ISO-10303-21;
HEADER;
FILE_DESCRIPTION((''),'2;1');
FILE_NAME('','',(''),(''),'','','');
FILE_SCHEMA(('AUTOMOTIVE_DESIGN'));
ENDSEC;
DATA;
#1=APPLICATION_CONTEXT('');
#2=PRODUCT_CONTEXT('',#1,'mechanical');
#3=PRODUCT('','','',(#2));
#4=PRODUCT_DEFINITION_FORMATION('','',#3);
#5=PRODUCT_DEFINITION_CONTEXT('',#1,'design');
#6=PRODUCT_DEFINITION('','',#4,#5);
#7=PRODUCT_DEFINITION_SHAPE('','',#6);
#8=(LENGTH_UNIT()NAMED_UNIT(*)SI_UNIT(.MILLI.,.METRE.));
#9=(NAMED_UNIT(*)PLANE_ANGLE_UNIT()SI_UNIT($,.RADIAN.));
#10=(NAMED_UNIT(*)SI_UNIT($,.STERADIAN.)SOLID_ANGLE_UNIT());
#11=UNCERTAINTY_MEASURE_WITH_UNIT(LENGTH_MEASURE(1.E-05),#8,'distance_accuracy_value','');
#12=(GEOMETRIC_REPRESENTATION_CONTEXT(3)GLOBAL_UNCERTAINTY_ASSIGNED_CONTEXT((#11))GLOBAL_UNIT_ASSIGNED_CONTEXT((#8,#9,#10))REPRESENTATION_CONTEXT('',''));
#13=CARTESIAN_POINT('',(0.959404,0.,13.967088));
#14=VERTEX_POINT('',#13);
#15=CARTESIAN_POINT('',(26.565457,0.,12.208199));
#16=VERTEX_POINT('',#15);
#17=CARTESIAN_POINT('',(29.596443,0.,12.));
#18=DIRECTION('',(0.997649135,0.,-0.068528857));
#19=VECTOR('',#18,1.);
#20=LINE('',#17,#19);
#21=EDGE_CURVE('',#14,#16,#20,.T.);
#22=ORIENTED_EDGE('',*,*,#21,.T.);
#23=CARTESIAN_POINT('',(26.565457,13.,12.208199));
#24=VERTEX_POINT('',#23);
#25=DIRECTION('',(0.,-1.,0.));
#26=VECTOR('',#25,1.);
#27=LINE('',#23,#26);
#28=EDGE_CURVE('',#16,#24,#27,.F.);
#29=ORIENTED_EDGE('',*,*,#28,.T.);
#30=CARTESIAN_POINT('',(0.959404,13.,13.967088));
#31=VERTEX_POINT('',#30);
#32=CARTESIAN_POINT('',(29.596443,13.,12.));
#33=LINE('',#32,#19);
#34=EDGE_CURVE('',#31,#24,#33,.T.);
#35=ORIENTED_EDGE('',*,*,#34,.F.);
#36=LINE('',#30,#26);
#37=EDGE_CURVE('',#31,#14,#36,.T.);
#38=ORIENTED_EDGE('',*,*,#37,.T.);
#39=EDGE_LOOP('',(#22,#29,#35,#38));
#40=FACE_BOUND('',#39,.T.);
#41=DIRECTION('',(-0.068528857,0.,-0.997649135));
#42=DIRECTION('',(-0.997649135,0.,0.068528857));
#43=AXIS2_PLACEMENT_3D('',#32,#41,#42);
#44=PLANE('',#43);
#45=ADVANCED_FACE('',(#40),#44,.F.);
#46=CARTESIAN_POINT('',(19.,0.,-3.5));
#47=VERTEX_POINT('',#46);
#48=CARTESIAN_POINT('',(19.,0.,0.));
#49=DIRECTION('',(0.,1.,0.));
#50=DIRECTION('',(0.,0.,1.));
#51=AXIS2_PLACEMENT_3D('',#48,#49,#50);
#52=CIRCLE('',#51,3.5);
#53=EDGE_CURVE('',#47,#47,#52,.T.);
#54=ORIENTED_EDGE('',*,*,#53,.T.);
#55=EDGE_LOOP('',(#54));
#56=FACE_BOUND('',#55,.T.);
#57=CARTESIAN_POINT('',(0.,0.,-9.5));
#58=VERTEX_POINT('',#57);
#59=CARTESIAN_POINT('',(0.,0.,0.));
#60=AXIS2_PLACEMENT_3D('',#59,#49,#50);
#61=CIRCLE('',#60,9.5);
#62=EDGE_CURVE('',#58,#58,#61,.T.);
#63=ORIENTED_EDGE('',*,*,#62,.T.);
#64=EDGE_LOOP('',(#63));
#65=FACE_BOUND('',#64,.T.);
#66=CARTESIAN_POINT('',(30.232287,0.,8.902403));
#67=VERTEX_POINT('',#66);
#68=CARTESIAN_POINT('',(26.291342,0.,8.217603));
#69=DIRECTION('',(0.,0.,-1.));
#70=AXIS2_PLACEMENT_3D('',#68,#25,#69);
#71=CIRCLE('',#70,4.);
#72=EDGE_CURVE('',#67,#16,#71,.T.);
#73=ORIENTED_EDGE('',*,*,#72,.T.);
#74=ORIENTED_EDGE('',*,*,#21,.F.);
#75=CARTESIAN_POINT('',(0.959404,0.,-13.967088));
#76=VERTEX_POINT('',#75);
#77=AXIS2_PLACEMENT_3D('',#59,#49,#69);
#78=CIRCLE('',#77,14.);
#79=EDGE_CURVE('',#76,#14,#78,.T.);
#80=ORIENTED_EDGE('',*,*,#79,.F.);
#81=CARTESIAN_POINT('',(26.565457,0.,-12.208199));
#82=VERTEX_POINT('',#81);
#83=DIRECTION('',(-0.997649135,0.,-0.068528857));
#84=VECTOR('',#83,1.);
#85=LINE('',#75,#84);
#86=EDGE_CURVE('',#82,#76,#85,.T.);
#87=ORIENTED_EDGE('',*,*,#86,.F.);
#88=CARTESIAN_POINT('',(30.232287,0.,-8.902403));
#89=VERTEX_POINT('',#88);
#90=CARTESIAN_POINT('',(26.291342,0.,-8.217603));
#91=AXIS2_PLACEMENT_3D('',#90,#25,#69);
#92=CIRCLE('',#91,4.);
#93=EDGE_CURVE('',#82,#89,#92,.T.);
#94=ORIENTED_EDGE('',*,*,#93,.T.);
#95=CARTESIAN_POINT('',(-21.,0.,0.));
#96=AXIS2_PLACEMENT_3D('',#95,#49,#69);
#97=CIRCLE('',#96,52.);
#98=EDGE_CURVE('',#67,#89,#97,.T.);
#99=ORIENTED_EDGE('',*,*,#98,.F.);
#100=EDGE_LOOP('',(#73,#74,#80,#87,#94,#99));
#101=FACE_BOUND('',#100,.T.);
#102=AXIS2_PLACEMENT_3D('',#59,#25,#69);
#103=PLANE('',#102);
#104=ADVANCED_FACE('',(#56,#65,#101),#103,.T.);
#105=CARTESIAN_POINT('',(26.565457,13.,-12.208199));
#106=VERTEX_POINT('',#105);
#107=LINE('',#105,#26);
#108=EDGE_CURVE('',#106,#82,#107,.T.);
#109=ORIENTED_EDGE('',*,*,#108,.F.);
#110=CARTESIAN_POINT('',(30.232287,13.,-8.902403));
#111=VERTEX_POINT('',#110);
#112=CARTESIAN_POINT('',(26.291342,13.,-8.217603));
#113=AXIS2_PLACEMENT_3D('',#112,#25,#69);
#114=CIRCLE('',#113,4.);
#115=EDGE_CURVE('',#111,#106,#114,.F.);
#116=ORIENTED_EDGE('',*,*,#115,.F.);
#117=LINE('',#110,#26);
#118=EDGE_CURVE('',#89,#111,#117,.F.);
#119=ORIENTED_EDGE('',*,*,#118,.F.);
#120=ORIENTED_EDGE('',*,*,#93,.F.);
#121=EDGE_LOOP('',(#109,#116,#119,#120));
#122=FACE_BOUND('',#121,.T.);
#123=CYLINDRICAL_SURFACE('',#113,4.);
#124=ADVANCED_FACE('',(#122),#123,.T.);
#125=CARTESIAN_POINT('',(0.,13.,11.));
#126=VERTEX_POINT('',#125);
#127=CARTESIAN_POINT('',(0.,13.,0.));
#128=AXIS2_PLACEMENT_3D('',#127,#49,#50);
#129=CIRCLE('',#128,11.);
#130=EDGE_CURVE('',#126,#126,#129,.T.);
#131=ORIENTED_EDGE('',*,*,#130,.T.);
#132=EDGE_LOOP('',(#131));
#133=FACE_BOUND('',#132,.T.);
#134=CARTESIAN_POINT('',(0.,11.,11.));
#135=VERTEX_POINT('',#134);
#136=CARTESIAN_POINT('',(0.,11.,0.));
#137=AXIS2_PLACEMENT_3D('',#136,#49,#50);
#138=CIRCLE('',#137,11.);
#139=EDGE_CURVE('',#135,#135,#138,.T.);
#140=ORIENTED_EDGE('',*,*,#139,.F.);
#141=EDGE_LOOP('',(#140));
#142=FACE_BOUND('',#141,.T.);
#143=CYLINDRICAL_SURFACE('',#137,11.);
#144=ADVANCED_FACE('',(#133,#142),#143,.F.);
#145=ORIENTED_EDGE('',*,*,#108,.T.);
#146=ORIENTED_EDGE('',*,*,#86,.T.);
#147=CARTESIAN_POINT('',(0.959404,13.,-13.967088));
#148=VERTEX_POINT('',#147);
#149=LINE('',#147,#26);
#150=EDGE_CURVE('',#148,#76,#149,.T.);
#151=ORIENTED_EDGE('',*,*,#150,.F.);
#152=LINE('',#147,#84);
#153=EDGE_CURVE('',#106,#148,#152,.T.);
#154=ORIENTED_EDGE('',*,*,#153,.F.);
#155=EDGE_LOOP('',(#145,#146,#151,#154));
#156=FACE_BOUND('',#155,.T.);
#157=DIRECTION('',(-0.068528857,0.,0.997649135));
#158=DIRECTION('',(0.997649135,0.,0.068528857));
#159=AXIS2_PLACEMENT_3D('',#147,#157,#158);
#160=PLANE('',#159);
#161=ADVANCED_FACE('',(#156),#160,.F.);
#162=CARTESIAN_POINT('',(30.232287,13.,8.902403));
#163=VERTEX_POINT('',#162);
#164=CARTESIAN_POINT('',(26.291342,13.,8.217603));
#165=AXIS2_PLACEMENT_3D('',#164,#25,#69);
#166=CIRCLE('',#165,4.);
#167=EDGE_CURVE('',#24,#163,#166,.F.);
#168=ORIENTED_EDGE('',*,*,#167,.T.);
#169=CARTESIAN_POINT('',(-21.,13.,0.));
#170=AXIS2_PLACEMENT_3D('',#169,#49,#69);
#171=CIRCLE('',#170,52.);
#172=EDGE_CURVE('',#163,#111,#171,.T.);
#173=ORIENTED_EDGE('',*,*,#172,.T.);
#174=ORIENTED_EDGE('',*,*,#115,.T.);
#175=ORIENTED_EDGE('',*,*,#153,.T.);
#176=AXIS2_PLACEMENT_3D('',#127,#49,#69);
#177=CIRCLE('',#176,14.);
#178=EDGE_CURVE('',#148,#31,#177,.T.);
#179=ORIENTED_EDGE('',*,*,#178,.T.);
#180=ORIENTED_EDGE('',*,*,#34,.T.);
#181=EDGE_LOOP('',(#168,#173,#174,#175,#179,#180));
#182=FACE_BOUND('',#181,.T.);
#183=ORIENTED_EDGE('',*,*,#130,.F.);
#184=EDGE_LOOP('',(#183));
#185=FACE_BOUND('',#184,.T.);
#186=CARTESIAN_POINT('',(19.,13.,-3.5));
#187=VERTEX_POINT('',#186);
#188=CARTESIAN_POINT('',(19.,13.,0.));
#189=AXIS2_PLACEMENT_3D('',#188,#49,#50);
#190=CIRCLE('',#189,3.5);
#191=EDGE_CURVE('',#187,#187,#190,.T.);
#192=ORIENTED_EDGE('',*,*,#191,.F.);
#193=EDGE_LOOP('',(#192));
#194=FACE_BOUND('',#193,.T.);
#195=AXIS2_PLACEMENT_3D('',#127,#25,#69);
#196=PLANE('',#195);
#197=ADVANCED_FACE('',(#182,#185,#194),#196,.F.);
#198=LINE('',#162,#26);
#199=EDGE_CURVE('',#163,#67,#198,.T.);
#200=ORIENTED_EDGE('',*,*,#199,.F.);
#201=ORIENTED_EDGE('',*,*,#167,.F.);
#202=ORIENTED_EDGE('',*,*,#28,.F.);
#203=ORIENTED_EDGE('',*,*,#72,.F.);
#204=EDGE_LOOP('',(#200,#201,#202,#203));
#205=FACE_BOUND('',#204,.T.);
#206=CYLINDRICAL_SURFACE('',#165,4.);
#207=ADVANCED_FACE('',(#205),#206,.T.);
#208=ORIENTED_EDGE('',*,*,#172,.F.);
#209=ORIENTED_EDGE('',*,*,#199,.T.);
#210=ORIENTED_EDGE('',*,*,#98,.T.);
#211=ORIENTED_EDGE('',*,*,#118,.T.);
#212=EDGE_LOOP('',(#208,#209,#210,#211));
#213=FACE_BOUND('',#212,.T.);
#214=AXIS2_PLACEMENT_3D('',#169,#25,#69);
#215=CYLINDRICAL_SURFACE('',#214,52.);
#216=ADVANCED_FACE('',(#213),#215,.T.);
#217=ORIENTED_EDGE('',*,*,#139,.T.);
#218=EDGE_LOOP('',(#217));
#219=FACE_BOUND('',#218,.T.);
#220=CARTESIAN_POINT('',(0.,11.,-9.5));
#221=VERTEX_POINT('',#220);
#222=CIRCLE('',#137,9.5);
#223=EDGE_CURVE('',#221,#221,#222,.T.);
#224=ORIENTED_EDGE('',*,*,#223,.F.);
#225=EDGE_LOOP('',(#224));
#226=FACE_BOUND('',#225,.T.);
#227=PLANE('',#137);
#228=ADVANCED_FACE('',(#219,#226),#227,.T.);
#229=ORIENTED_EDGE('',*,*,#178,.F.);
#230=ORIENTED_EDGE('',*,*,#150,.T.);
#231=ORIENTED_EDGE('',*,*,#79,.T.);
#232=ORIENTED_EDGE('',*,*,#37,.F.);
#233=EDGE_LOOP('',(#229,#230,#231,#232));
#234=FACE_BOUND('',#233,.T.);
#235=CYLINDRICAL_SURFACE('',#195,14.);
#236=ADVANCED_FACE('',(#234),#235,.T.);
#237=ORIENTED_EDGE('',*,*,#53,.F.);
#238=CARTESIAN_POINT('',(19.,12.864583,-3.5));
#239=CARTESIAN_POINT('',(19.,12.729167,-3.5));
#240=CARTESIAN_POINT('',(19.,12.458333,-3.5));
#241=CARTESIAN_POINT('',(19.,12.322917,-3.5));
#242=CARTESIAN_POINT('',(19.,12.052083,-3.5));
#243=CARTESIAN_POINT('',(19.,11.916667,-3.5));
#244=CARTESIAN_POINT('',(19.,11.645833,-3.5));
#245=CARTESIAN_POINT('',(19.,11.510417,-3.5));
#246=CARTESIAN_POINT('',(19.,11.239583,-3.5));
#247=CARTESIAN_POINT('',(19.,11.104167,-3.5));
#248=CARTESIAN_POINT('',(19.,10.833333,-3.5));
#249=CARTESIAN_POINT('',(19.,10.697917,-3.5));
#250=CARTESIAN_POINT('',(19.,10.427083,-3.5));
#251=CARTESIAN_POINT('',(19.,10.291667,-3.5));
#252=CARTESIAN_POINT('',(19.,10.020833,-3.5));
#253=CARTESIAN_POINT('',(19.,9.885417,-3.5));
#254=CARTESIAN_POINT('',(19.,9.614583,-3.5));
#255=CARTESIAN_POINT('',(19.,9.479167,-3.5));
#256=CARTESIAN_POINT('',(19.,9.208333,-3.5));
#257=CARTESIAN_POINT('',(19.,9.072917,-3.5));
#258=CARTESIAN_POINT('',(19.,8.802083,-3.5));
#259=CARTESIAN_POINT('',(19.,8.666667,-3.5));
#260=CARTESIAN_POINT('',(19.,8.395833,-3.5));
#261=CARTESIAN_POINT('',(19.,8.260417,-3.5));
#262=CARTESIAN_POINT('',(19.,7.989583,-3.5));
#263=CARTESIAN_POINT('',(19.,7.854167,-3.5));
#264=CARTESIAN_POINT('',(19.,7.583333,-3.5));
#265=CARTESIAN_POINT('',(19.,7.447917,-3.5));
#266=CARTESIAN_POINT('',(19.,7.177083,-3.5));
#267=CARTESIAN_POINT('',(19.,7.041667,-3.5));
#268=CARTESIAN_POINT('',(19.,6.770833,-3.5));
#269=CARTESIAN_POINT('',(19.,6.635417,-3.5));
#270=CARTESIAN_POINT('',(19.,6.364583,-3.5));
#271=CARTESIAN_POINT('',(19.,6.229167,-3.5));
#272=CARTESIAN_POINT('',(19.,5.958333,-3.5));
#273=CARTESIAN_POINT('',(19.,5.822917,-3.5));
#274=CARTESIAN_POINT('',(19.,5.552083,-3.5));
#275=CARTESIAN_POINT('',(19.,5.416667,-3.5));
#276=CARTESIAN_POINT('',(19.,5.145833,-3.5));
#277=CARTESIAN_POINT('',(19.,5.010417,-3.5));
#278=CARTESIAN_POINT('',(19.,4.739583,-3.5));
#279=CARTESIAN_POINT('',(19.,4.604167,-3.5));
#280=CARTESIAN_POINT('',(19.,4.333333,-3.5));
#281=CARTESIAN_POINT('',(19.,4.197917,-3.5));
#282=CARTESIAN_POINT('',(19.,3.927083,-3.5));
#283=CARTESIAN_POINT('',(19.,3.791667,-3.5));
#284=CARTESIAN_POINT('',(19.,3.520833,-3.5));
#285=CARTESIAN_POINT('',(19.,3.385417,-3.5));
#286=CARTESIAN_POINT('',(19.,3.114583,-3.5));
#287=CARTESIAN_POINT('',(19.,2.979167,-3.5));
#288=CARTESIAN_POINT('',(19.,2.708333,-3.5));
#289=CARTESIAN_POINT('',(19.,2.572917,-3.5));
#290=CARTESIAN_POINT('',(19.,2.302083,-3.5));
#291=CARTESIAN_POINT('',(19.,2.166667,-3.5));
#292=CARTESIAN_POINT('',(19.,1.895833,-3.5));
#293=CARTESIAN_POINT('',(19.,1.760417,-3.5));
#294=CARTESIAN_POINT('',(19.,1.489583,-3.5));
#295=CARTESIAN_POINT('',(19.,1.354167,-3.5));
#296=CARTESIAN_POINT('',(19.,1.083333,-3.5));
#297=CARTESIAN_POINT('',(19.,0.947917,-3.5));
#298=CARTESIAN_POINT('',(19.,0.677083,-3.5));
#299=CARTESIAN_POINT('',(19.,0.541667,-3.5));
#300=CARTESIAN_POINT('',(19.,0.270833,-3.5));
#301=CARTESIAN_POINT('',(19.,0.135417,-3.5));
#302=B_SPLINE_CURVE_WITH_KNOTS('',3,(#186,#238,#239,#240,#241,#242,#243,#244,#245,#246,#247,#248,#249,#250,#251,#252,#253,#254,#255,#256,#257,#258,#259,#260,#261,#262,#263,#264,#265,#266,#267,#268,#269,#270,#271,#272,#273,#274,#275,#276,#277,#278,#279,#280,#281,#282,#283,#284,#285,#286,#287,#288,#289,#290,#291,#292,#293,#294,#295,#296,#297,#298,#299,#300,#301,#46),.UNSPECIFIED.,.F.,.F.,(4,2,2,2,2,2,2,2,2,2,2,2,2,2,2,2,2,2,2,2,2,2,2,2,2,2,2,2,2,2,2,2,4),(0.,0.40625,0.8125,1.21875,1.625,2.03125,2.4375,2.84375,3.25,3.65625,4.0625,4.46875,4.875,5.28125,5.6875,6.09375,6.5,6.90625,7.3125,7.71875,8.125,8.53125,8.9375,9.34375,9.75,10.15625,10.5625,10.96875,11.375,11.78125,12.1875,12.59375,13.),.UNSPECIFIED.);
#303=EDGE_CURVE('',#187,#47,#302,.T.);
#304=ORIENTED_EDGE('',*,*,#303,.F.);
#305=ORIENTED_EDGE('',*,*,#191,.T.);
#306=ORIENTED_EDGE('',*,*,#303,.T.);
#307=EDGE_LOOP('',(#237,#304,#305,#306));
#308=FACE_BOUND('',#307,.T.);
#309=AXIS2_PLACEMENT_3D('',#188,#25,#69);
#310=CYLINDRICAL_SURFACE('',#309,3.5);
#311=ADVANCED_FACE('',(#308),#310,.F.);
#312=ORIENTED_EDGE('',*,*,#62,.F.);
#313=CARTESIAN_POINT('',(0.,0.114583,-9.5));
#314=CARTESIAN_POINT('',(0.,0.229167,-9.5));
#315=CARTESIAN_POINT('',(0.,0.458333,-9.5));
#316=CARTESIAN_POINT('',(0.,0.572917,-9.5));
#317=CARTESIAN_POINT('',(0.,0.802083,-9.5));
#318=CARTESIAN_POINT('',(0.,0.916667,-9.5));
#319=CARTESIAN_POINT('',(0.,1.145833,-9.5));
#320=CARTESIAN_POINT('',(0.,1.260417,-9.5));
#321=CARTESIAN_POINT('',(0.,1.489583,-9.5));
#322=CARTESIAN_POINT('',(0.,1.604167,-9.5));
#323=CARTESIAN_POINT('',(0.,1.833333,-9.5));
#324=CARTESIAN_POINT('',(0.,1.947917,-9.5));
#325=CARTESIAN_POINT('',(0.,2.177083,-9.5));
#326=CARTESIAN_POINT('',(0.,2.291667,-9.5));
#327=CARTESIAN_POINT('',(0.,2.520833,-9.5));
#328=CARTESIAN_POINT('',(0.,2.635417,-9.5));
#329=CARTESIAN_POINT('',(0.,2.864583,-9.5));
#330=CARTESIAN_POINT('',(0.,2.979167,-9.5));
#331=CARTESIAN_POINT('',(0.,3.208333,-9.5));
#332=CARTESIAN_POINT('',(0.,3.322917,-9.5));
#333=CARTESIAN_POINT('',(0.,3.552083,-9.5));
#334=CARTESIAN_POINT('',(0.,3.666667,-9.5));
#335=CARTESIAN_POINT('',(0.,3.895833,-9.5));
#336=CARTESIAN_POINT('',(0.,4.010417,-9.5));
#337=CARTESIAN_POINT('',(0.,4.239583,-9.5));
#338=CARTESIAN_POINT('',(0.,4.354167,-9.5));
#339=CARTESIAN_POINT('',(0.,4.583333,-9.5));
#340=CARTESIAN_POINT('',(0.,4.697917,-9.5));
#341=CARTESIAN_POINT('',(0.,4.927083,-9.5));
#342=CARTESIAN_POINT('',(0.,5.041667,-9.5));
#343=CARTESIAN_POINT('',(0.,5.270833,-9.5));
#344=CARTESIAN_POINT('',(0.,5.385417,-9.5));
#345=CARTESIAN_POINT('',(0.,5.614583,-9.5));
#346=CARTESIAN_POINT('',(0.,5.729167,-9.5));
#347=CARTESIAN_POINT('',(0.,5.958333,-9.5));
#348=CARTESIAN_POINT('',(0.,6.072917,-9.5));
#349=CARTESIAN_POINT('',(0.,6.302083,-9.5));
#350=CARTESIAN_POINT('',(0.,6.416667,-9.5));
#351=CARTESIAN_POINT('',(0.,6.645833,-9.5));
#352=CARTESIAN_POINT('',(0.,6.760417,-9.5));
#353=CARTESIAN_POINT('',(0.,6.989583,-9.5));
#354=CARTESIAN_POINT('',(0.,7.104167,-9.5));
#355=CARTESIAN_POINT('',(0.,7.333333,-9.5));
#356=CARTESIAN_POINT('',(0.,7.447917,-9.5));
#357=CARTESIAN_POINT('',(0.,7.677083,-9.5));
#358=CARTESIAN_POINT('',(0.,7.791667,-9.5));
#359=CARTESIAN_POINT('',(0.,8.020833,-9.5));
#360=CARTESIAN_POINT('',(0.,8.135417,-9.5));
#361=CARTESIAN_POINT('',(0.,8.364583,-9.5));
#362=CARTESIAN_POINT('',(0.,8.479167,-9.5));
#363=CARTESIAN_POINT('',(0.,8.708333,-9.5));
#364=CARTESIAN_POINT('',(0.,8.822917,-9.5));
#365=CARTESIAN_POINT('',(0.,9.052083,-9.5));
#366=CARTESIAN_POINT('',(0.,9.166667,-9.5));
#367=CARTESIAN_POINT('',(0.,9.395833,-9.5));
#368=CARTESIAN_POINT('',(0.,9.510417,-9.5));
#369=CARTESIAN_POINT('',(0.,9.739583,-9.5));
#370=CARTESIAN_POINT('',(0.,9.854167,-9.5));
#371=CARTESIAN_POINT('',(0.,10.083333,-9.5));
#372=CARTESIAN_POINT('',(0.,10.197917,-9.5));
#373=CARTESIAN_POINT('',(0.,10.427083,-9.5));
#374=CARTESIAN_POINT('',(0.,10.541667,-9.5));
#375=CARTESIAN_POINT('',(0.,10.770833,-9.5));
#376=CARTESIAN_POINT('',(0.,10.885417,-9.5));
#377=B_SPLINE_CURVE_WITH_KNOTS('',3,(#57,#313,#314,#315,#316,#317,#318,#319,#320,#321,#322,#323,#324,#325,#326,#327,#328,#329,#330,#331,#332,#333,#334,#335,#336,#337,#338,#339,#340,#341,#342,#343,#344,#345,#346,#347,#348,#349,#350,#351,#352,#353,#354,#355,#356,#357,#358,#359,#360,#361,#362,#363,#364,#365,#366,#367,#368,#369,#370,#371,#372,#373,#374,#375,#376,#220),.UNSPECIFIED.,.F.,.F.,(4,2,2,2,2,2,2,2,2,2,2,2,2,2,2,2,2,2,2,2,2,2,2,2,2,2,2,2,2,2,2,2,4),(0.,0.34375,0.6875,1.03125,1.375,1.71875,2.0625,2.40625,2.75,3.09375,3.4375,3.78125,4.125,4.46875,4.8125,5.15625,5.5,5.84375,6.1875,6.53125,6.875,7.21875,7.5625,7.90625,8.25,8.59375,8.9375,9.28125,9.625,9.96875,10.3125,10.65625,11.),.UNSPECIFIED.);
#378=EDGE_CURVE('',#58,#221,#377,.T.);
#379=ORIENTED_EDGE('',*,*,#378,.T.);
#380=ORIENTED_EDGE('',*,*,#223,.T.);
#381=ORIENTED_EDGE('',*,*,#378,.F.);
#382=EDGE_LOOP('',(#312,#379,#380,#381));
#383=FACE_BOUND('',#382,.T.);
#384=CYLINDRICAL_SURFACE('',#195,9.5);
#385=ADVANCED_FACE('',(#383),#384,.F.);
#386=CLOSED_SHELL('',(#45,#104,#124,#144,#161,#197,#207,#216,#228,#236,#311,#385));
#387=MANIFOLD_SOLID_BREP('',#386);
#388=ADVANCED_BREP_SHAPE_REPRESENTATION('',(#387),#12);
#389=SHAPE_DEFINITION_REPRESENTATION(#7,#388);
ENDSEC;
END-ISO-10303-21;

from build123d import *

# Parameters (mm, degrees)
SKETCH1_R           = 9.5
SKETCH1_R_2         = 3.5
BOSS_EXTRUDE1_DEPTH = 13
FILLET1_R           = 4
SKETCH3_R           = 11
CUT_EXTRUDE1_DEPTH  = 2


with BuildPart() as part:
    # Sketch1 → Boss-Extrude1 (new body)
    with BuildSketch(Plane(origin=(0, 0, 0), x_dir=(1, 0, 0), z_dir=(0, 1, 0))):
        with BuildLine():
            Line((0.959404, 13.967087884), (29.596442563, 12))
            ThreePointArc((29.596442563, 12), (31, 0), (29.596442563, -12))
            Line((29.596442563, -12), (0.959404, -13.967087884))
            ThreePointArc((0.959404, -13.967087884), (-14, 0), (0.959404, 13.967087884))
        make_face()
        with Locations(Location((0, 0, 0), (0, 0, 90))):
            Circle(SKETCH1_R, mode=Mode.SUBTRACT)
        with Locations(Location((19, 0, 0), (0, 0, 90))):
            Circle(SKETCH1_R_2, mode=Mode.SUBTRACT)
    extrude(amount=BOSS_EXTRUDE1_DEPTH)

    # Fillet1
    fillet1_edges = [part.edges().sort_by_distance(p)[0] for p in [
        (29.596442563, 6.5, -12),
        (29.596442563, 6.5, 12),
    ]]
    fillet(fillet1_edges, radius=FILLET1_R)

    # Sketch3 → Cut-Extrude1 (cut)
    with BuildSketch(Plane(origin=(0, 13, 0), x_dir=(1, 0, 0), z_dir=(0, 1, 0))):
        with Locations(Location((0, 0, 0), (0, 0, 270))):
            Circle(SKETCH3_R)
    extrude(amount=-CUT_EXTRUDE1_DEPTH, mode=Mode.SUBTRACT)


solid = part.part
